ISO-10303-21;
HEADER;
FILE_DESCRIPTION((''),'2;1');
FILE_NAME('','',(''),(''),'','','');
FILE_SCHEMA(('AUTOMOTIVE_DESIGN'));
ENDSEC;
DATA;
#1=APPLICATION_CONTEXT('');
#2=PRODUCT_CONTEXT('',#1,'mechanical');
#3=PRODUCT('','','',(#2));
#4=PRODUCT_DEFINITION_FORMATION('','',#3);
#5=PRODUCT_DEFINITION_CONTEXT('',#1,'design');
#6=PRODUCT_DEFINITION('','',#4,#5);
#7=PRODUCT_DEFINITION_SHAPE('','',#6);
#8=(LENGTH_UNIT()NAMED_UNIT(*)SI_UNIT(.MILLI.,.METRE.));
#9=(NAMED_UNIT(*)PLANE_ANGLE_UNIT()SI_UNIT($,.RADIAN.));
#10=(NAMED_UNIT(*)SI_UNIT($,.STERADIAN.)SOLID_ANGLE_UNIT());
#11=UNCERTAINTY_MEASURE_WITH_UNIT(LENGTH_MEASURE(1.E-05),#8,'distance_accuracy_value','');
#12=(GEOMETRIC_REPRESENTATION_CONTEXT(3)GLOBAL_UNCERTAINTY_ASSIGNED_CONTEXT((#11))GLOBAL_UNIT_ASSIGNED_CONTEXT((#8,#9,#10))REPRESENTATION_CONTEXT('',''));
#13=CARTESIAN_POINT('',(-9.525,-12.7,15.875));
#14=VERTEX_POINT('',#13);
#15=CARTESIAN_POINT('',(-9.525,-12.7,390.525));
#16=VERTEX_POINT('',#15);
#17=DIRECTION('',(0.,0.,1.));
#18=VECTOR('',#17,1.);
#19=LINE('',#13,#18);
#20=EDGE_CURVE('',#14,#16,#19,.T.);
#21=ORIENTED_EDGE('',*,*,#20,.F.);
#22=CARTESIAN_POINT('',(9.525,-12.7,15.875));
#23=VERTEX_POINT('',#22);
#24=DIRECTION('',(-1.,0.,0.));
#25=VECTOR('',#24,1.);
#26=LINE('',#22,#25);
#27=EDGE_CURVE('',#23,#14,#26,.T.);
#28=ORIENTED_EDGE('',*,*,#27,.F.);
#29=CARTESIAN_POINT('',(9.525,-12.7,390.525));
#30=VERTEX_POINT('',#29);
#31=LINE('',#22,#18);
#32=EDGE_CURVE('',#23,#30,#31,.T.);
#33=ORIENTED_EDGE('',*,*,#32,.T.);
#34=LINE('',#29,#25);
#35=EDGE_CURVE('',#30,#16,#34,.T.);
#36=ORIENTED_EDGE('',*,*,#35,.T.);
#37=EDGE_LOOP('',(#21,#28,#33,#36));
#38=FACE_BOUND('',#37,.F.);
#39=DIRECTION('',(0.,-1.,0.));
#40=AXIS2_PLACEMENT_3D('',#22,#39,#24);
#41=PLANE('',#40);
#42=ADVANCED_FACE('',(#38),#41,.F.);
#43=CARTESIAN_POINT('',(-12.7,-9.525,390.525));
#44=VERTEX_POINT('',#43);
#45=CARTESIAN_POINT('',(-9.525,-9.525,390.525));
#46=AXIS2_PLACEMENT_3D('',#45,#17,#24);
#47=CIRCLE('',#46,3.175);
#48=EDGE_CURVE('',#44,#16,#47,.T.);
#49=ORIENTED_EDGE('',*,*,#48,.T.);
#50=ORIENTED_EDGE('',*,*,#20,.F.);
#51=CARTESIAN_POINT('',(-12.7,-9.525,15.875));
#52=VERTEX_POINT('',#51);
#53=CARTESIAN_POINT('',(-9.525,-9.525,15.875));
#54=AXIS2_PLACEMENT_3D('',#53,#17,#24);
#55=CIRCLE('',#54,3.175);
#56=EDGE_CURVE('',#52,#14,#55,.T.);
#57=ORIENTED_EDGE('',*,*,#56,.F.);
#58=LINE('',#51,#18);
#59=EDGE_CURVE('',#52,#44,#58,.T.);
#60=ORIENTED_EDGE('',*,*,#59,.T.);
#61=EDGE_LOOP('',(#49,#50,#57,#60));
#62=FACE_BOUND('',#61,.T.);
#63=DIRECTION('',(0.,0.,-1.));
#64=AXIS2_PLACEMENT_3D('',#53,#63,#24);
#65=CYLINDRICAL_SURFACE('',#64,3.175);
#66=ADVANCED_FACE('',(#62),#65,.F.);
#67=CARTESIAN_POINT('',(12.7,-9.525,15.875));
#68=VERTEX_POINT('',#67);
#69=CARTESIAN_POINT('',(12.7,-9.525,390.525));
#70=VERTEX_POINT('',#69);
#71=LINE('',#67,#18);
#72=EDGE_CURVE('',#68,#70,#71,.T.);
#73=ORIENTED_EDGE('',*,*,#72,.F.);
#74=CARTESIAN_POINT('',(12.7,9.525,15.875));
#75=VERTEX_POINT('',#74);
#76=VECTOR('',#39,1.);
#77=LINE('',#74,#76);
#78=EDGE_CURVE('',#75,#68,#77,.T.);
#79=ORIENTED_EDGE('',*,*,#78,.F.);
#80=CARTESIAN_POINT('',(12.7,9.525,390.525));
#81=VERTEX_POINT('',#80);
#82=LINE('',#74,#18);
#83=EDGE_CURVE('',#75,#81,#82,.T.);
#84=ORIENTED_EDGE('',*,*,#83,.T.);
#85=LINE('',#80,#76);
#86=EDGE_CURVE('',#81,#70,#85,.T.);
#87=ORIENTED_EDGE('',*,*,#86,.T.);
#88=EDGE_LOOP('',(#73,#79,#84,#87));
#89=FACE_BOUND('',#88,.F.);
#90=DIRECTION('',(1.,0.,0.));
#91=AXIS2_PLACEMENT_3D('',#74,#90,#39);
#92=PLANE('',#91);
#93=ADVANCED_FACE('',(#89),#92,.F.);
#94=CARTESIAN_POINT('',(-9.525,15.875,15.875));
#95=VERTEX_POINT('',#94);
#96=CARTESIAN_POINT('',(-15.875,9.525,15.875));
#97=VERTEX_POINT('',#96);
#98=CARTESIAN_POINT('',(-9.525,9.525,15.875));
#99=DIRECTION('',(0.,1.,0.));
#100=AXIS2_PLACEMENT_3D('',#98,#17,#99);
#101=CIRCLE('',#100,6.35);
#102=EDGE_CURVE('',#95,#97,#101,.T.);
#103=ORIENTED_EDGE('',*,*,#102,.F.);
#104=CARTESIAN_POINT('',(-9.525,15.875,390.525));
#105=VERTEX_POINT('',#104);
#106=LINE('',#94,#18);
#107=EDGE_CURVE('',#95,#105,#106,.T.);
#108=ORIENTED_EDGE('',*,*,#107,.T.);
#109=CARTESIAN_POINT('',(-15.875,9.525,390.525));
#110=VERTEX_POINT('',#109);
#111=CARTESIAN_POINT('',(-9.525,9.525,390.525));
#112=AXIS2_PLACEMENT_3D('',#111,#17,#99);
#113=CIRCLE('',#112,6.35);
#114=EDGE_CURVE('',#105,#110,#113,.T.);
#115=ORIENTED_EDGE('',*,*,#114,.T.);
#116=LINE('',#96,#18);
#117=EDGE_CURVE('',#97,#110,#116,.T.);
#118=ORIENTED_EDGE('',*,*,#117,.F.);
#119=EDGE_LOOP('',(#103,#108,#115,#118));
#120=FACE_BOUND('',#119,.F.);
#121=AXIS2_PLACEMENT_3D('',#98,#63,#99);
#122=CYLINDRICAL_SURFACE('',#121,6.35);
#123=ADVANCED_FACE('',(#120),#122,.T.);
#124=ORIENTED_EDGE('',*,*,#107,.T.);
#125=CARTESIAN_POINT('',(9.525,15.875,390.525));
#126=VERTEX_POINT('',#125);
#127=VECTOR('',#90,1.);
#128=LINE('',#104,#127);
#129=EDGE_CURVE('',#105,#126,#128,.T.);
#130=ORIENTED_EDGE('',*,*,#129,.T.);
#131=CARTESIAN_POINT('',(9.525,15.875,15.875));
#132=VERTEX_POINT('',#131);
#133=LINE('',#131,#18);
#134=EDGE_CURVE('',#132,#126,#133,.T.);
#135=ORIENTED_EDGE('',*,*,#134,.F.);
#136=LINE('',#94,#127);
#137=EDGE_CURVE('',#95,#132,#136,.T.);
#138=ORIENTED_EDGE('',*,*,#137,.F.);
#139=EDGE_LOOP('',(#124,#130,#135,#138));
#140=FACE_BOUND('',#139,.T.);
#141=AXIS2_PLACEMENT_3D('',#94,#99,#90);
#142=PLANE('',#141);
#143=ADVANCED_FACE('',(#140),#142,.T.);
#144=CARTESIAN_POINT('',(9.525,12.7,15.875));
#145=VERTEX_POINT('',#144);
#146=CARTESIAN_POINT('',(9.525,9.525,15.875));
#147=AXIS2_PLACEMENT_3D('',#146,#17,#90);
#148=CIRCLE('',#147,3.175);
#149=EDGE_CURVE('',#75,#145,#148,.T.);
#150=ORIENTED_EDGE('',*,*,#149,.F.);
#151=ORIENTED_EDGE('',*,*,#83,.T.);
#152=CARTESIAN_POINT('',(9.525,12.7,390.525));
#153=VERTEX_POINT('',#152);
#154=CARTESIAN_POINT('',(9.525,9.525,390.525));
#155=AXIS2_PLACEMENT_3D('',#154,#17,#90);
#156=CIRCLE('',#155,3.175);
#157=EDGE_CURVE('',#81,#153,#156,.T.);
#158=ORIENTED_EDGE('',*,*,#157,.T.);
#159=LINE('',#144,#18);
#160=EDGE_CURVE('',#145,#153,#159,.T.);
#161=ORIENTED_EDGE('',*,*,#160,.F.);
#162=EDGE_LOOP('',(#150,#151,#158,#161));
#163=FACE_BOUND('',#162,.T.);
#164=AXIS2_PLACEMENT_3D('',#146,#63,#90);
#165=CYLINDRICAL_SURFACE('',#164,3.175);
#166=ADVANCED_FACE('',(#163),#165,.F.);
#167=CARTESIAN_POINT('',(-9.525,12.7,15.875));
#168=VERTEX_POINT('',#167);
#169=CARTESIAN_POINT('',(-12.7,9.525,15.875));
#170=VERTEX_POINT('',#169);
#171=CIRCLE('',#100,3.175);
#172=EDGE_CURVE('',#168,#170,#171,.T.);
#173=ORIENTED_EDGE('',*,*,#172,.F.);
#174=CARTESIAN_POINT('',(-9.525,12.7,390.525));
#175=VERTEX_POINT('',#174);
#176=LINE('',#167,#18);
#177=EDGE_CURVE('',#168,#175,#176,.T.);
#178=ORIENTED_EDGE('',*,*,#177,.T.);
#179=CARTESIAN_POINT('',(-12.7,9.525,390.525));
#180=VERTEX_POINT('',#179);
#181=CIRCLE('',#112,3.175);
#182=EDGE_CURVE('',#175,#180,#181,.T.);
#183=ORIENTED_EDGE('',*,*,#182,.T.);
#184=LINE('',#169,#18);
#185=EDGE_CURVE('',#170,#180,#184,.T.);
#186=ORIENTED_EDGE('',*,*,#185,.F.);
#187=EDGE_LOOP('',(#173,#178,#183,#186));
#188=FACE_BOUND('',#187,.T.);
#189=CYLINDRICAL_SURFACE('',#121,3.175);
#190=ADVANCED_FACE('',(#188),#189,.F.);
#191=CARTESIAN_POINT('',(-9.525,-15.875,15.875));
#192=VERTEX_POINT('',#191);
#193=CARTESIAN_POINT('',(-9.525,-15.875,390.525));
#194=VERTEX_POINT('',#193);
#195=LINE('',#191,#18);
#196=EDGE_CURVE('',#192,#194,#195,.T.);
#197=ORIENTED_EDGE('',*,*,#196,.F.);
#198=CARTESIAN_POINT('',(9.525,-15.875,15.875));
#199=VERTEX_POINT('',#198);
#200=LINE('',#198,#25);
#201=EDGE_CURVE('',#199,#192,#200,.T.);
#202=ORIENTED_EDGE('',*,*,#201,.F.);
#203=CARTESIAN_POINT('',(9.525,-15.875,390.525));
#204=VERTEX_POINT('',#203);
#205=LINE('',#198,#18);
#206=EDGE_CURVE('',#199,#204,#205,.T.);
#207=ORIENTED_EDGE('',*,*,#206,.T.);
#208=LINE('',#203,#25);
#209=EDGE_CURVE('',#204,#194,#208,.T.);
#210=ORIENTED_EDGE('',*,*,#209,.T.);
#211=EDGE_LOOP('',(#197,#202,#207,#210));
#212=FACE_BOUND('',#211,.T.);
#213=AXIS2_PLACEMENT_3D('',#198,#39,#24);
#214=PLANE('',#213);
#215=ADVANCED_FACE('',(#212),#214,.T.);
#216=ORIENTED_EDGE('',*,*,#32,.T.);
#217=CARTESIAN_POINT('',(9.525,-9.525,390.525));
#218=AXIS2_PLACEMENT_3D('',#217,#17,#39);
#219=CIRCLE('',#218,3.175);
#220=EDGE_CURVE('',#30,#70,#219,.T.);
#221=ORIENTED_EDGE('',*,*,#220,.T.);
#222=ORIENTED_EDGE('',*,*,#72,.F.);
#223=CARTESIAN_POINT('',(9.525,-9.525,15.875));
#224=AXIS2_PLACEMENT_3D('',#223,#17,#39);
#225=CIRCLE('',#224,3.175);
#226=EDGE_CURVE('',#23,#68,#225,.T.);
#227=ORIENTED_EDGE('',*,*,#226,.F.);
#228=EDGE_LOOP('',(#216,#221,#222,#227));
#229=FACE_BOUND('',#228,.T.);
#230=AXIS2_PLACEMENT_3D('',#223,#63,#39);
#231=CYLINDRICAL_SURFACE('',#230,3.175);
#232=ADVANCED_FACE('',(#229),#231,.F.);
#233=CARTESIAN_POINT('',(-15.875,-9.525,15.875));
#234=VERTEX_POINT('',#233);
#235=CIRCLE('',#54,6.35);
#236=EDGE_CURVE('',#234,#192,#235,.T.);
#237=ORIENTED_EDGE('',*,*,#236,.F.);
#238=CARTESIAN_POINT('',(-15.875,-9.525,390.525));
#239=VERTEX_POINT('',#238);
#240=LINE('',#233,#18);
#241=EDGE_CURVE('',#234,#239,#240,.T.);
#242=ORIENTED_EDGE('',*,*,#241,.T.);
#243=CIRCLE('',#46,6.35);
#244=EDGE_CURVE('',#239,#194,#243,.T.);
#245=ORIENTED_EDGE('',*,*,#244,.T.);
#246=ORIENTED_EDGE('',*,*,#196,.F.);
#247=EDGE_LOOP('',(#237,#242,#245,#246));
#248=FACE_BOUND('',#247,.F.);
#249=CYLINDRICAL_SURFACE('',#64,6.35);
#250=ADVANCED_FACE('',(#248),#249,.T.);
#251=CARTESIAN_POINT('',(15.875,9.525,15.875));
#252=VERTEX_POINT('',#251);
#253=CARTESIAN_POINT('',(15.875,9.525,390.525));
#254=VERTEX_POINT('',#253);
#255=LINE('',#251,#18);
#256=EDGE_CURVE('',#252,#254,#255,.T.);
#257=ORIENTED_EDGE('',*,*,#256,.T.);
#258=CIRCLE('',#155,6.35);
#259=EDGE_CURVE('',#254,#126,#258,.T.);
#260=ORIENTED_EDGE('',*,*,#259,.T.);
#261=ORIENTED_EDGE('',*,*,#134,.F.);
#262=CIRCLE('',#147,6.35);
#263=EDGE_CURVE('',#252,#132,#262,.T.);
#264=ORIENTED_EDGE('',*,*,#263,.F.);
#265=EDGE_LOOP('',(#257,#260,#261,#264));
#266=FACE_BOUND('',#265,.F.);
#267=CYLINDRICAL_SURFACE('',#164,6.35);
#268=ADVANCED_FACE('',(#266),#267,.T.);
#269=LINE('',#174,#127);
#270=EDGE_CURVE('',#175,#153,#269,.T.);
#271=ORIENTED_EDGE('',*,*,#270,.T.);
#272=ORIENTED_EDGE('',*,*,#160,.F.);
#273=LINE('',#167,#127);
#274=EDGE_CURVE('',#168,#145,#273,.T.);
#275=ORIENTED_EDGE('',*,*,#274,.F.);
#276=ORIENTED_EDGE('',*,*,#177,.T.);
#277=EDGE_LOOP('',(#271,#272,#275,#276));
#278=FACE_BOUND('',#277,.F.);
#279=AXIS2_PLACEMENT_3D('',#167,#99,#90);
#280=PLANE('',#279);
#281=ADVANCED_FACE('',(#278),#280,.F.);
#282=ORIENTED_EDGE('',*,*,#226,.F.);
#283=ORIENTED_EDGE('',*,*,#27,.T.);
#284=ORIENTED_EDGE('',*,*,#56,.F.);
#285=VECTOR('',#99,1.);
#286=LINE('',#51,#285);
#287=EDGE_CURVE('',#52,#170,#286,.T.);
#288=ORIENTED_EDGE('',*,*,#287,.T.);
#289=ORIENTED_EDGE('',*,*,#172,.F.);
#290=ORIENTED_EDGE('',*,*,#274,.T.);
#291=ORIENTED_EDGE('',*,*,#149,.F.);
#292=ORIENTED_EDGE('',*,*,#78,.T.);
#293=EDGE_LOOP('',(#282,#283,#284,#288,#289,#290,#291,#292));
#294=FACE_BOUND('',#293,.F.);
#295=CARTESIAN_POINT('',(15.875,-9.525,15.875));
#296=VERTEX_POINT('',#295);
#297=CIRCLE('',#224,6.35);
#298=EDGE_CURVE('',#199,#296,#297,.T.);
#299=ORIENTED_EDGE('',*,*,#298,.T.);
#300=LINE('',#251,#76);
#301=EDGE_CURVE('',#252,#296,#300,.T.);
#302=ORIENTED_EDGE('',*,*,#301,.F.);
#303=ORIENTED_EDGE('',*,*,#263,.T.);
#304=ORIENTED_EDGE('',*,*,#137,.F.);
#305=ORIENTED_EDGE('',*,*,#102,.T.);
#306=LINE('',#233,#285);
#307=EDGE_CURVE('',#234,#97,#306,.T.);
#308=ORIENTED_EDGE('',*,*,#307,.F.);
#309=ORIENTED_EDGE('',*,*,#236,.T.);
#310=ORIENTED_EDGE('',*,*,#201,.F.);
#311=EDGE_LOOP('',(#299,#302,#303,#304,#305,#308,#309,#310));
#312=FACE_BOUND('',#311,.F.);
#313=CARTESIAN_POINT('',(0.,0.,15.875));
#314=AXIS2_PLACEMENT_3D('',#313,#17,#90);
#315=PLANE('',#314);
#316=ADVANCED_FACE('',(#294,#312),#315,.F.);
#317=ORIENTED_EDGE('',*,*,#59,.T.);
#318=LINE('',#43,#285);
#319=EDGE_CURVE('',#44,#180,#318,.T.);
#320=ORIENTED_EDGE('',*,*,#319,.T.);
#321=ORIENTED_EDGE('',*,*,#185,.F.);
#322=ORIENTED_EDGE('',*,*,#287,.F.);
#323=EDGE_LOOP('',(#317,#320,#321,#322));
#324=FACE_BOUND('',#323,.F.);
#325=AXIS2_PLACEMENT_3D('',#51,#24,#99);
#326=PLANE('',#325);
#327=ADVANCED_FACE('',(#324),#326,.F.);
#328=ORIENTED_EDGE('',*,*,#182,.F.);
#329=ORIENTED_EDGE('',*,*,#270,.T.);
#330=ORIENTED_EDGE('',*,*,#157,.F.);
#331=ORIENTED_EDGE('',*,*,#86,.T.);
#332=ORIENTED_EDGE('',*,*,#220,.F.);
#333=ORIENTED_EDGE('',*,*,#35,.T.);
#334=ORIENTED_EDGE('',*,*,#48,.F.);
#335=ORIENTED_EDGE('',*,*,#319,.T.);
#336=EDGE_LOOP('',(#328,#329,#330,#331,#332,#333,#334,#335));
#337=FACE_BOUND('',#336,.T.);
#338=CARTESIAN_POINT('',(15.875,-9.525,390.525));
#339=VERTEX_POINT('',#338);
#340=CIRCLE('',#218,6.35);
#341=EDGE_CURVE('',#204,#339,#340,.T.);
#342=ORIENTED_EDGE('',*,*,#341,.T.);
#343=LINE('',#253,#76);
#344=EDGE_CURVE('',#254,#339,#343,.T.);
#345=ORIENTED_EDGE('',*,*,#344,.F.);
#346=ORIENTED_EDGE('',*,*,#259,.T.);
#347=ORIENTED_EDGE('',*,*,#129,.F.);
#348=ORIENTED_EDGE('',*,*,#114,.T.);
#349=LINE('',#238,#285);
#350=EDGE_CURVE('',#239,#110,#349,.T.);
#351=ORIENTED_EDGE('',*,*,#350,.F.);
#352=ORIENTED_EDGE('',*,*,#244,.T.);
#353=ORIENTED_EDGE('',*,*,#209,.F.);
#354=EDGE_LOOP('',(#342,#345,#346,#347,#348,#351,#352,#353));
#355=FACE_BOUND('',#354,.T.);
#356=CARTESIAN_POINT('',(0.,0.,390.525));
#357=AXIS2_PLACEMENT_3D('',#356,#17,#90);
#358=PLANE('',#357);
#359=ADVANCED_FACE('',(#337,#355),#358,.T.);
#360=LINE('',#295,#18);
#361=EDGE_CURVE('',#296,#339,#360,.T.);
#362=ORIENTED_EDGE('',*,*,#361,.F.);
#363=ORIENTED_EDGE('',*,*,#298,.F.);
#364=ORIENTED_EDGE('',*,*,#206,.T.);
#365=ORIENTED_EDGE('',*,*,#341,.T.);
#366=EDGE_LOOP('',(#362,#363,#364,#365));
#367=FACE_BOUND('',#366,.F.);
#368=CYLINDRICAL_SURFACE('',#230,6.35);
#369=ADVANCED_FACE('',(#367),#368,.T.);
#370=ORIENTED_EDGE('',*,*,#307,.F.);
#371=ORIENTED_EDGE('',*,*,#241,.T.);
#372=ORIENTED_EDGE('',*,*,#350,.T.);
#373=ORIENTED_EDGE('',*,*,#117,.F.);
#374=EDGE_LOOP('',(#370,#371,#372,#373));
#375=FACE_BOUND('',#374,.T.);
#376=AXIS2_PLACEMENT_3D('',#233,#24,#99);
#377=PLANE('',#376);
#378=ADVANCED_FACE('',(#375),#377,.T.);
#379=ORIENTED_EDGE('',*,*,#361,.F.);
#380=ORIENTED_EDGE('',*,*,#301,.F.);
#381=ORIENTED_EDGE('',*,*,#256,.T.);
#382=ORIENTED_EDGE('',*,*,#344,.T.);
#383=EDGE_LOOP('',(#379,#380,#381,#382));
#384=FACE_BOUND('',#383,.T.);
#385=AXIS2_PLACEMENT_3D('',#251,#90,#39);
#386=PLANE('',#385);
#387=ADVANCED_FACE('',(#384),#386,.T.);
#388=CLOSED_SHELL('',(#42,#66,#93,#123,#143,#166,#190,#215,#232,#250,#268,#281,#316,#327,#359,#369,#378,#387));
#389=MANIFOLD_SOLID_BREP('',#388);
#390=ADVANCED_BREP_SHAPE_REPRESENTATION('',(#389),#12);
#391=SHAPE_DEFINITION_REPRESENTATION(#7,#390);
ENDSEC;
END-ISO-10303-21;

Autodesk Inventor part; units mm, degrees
ref_plane "Start plane" through (0, 0, 15.875) normal (0, 0, 1) x (1, 0, 0)
ref_plane "End plane" through (0, 0, 390.525) normal (0, 0, 1) x (1, 0, 0)
sketch "Sketch" plane through (0, 0, 0) normal (0, 0, 1) x (1, 0, 0)
  line L0 (-15.875, -9.525) -> (-15.875, 9.525)
  line L1 (-9.525, 15.875) -> (9.525, 15.875)
  line L2 (15.875, 9.525) -> (15.875, -9.525)
  line L3 (9.525, -15.875) -> (-9.525, -15.875)
  arc A0 (-15.875, -9.525) -> (-9.525, -15.875) centre (-9.525, -9.525) ccw
  arc A1 (-9.525, 15.875) -> (-15.875, 9.525) centre (-9.525, 9.525) ccw
  arc A2 (15.875, 9.525) -> (9.525, 15.875) centre (9.525, 9.525) ccw
  arc A3 (9.525, -15.875) -> (15.875, -9.525) centre (9.525, -9.525) ccw
  arc A4 (-9.525, 12.7) -> (-12.7, 9.525) centre (-9.525, 9.525) ccw
  line L4 (-9.525, 12.7) -> (9.525, 12.7)
  arc A5 (12.7, 9.525) -> (9.525, 12.7) centre (9.525, 9.525) ccw
  line L5 (12.7, 9.525) -> (12.7, -9.525)
  arc A6 (9.525, -12.7) -> (12.7, -9.525) centre (9.525, -9.525) ccw
  line L6 (9.525, -12.7) -> (-9.525, -12.7)
  arc A7 (-12.7, -9.525) -> (-9.525, -12.7) centre (-9.525, -9.525) ccw
  line L7 (-12.7, -9.525) -> (-12.7, 9.525)
  line L8 (0, 24.0662) -> (0, -24.0662) construction
  line L9 (-24.0662, 0) -> (24.0662, 0) construction
  dimension "d10" = 31.75
  dimension "d11" = 31.75
  dimension "d12" = 3.175
  dimension "d15" = 15.875
  dimension "d16" = 15.875
  dimension "d17" = 6.35
extrude "Body" add sketch "Sketch" along normal up to surface (374.65 mm away) from surface at 15.875
sketch "Sketch3" plane through (0, 0, 0) normal (0, 0, 1) x (1, 0, 0)
  line L0 (0, 0) -> (10, 0)
ref_plane "Work Plane3" through (0, 0, 0) normal (0, -1, 0) x (1, 0, 0)
sketch "Sketch4" plane through (0, 0, 0) normal (0, -1, 0) x (1, 0, 0)
  line L0 (-2, 15.875) -> (12, 15.875)
  line L1 (-2, 390.525) -> (12, 390.525)
  dimension "d19" = 374.65
ref_plane "Work Plane4" through (304.8, -9.525, 390.525) normal (0, 0, 1) x (1, 0, 0)
split "Split1" plane through (304.8, -9.525, 390.525) removes the side toward (0, 0, 1)
ref_plane "Work Plane5" through (-609.6, -9.525, 15.875) normal (0, 0, -1) x (-1, 0, 0)
split "Split2" plane through (-609.6, -9.525, 15.875) removes the side toward (0, 0, -1)
equation "\"d10\" = G_H"
equation "\"d11\" = G_W"
equation "\"d12\" = G_T"
equation "\"d15\" = 0.5 * d10"
equation "\"d16\" = 0.5 * d11"
equation "\"d17\" = G_IR"
equation "\"d3\" = G_L"
equation "\"G_W\" = 31.75"
equation "\"G_H\" = 31.75"
equation "\"G_T\" = 3.175"
equation "\"G_IR\" = 6.35"
equation "\"G_L\" = d19"
equation "\"G_OFFSET_START\" = -15.875"
equation "\"G_OFFSET_END\" = -15.875"
equation "\"d13\" = -G_OFFSET_START"
equation "\"d14\" = G_OFFSET_END + B_L"
equation "\"B_L\" = 406.4"
properties part number "AISC HSS - 1-1/4x1-1/4x1/8 - 14.75" material "Steel, Mild"
